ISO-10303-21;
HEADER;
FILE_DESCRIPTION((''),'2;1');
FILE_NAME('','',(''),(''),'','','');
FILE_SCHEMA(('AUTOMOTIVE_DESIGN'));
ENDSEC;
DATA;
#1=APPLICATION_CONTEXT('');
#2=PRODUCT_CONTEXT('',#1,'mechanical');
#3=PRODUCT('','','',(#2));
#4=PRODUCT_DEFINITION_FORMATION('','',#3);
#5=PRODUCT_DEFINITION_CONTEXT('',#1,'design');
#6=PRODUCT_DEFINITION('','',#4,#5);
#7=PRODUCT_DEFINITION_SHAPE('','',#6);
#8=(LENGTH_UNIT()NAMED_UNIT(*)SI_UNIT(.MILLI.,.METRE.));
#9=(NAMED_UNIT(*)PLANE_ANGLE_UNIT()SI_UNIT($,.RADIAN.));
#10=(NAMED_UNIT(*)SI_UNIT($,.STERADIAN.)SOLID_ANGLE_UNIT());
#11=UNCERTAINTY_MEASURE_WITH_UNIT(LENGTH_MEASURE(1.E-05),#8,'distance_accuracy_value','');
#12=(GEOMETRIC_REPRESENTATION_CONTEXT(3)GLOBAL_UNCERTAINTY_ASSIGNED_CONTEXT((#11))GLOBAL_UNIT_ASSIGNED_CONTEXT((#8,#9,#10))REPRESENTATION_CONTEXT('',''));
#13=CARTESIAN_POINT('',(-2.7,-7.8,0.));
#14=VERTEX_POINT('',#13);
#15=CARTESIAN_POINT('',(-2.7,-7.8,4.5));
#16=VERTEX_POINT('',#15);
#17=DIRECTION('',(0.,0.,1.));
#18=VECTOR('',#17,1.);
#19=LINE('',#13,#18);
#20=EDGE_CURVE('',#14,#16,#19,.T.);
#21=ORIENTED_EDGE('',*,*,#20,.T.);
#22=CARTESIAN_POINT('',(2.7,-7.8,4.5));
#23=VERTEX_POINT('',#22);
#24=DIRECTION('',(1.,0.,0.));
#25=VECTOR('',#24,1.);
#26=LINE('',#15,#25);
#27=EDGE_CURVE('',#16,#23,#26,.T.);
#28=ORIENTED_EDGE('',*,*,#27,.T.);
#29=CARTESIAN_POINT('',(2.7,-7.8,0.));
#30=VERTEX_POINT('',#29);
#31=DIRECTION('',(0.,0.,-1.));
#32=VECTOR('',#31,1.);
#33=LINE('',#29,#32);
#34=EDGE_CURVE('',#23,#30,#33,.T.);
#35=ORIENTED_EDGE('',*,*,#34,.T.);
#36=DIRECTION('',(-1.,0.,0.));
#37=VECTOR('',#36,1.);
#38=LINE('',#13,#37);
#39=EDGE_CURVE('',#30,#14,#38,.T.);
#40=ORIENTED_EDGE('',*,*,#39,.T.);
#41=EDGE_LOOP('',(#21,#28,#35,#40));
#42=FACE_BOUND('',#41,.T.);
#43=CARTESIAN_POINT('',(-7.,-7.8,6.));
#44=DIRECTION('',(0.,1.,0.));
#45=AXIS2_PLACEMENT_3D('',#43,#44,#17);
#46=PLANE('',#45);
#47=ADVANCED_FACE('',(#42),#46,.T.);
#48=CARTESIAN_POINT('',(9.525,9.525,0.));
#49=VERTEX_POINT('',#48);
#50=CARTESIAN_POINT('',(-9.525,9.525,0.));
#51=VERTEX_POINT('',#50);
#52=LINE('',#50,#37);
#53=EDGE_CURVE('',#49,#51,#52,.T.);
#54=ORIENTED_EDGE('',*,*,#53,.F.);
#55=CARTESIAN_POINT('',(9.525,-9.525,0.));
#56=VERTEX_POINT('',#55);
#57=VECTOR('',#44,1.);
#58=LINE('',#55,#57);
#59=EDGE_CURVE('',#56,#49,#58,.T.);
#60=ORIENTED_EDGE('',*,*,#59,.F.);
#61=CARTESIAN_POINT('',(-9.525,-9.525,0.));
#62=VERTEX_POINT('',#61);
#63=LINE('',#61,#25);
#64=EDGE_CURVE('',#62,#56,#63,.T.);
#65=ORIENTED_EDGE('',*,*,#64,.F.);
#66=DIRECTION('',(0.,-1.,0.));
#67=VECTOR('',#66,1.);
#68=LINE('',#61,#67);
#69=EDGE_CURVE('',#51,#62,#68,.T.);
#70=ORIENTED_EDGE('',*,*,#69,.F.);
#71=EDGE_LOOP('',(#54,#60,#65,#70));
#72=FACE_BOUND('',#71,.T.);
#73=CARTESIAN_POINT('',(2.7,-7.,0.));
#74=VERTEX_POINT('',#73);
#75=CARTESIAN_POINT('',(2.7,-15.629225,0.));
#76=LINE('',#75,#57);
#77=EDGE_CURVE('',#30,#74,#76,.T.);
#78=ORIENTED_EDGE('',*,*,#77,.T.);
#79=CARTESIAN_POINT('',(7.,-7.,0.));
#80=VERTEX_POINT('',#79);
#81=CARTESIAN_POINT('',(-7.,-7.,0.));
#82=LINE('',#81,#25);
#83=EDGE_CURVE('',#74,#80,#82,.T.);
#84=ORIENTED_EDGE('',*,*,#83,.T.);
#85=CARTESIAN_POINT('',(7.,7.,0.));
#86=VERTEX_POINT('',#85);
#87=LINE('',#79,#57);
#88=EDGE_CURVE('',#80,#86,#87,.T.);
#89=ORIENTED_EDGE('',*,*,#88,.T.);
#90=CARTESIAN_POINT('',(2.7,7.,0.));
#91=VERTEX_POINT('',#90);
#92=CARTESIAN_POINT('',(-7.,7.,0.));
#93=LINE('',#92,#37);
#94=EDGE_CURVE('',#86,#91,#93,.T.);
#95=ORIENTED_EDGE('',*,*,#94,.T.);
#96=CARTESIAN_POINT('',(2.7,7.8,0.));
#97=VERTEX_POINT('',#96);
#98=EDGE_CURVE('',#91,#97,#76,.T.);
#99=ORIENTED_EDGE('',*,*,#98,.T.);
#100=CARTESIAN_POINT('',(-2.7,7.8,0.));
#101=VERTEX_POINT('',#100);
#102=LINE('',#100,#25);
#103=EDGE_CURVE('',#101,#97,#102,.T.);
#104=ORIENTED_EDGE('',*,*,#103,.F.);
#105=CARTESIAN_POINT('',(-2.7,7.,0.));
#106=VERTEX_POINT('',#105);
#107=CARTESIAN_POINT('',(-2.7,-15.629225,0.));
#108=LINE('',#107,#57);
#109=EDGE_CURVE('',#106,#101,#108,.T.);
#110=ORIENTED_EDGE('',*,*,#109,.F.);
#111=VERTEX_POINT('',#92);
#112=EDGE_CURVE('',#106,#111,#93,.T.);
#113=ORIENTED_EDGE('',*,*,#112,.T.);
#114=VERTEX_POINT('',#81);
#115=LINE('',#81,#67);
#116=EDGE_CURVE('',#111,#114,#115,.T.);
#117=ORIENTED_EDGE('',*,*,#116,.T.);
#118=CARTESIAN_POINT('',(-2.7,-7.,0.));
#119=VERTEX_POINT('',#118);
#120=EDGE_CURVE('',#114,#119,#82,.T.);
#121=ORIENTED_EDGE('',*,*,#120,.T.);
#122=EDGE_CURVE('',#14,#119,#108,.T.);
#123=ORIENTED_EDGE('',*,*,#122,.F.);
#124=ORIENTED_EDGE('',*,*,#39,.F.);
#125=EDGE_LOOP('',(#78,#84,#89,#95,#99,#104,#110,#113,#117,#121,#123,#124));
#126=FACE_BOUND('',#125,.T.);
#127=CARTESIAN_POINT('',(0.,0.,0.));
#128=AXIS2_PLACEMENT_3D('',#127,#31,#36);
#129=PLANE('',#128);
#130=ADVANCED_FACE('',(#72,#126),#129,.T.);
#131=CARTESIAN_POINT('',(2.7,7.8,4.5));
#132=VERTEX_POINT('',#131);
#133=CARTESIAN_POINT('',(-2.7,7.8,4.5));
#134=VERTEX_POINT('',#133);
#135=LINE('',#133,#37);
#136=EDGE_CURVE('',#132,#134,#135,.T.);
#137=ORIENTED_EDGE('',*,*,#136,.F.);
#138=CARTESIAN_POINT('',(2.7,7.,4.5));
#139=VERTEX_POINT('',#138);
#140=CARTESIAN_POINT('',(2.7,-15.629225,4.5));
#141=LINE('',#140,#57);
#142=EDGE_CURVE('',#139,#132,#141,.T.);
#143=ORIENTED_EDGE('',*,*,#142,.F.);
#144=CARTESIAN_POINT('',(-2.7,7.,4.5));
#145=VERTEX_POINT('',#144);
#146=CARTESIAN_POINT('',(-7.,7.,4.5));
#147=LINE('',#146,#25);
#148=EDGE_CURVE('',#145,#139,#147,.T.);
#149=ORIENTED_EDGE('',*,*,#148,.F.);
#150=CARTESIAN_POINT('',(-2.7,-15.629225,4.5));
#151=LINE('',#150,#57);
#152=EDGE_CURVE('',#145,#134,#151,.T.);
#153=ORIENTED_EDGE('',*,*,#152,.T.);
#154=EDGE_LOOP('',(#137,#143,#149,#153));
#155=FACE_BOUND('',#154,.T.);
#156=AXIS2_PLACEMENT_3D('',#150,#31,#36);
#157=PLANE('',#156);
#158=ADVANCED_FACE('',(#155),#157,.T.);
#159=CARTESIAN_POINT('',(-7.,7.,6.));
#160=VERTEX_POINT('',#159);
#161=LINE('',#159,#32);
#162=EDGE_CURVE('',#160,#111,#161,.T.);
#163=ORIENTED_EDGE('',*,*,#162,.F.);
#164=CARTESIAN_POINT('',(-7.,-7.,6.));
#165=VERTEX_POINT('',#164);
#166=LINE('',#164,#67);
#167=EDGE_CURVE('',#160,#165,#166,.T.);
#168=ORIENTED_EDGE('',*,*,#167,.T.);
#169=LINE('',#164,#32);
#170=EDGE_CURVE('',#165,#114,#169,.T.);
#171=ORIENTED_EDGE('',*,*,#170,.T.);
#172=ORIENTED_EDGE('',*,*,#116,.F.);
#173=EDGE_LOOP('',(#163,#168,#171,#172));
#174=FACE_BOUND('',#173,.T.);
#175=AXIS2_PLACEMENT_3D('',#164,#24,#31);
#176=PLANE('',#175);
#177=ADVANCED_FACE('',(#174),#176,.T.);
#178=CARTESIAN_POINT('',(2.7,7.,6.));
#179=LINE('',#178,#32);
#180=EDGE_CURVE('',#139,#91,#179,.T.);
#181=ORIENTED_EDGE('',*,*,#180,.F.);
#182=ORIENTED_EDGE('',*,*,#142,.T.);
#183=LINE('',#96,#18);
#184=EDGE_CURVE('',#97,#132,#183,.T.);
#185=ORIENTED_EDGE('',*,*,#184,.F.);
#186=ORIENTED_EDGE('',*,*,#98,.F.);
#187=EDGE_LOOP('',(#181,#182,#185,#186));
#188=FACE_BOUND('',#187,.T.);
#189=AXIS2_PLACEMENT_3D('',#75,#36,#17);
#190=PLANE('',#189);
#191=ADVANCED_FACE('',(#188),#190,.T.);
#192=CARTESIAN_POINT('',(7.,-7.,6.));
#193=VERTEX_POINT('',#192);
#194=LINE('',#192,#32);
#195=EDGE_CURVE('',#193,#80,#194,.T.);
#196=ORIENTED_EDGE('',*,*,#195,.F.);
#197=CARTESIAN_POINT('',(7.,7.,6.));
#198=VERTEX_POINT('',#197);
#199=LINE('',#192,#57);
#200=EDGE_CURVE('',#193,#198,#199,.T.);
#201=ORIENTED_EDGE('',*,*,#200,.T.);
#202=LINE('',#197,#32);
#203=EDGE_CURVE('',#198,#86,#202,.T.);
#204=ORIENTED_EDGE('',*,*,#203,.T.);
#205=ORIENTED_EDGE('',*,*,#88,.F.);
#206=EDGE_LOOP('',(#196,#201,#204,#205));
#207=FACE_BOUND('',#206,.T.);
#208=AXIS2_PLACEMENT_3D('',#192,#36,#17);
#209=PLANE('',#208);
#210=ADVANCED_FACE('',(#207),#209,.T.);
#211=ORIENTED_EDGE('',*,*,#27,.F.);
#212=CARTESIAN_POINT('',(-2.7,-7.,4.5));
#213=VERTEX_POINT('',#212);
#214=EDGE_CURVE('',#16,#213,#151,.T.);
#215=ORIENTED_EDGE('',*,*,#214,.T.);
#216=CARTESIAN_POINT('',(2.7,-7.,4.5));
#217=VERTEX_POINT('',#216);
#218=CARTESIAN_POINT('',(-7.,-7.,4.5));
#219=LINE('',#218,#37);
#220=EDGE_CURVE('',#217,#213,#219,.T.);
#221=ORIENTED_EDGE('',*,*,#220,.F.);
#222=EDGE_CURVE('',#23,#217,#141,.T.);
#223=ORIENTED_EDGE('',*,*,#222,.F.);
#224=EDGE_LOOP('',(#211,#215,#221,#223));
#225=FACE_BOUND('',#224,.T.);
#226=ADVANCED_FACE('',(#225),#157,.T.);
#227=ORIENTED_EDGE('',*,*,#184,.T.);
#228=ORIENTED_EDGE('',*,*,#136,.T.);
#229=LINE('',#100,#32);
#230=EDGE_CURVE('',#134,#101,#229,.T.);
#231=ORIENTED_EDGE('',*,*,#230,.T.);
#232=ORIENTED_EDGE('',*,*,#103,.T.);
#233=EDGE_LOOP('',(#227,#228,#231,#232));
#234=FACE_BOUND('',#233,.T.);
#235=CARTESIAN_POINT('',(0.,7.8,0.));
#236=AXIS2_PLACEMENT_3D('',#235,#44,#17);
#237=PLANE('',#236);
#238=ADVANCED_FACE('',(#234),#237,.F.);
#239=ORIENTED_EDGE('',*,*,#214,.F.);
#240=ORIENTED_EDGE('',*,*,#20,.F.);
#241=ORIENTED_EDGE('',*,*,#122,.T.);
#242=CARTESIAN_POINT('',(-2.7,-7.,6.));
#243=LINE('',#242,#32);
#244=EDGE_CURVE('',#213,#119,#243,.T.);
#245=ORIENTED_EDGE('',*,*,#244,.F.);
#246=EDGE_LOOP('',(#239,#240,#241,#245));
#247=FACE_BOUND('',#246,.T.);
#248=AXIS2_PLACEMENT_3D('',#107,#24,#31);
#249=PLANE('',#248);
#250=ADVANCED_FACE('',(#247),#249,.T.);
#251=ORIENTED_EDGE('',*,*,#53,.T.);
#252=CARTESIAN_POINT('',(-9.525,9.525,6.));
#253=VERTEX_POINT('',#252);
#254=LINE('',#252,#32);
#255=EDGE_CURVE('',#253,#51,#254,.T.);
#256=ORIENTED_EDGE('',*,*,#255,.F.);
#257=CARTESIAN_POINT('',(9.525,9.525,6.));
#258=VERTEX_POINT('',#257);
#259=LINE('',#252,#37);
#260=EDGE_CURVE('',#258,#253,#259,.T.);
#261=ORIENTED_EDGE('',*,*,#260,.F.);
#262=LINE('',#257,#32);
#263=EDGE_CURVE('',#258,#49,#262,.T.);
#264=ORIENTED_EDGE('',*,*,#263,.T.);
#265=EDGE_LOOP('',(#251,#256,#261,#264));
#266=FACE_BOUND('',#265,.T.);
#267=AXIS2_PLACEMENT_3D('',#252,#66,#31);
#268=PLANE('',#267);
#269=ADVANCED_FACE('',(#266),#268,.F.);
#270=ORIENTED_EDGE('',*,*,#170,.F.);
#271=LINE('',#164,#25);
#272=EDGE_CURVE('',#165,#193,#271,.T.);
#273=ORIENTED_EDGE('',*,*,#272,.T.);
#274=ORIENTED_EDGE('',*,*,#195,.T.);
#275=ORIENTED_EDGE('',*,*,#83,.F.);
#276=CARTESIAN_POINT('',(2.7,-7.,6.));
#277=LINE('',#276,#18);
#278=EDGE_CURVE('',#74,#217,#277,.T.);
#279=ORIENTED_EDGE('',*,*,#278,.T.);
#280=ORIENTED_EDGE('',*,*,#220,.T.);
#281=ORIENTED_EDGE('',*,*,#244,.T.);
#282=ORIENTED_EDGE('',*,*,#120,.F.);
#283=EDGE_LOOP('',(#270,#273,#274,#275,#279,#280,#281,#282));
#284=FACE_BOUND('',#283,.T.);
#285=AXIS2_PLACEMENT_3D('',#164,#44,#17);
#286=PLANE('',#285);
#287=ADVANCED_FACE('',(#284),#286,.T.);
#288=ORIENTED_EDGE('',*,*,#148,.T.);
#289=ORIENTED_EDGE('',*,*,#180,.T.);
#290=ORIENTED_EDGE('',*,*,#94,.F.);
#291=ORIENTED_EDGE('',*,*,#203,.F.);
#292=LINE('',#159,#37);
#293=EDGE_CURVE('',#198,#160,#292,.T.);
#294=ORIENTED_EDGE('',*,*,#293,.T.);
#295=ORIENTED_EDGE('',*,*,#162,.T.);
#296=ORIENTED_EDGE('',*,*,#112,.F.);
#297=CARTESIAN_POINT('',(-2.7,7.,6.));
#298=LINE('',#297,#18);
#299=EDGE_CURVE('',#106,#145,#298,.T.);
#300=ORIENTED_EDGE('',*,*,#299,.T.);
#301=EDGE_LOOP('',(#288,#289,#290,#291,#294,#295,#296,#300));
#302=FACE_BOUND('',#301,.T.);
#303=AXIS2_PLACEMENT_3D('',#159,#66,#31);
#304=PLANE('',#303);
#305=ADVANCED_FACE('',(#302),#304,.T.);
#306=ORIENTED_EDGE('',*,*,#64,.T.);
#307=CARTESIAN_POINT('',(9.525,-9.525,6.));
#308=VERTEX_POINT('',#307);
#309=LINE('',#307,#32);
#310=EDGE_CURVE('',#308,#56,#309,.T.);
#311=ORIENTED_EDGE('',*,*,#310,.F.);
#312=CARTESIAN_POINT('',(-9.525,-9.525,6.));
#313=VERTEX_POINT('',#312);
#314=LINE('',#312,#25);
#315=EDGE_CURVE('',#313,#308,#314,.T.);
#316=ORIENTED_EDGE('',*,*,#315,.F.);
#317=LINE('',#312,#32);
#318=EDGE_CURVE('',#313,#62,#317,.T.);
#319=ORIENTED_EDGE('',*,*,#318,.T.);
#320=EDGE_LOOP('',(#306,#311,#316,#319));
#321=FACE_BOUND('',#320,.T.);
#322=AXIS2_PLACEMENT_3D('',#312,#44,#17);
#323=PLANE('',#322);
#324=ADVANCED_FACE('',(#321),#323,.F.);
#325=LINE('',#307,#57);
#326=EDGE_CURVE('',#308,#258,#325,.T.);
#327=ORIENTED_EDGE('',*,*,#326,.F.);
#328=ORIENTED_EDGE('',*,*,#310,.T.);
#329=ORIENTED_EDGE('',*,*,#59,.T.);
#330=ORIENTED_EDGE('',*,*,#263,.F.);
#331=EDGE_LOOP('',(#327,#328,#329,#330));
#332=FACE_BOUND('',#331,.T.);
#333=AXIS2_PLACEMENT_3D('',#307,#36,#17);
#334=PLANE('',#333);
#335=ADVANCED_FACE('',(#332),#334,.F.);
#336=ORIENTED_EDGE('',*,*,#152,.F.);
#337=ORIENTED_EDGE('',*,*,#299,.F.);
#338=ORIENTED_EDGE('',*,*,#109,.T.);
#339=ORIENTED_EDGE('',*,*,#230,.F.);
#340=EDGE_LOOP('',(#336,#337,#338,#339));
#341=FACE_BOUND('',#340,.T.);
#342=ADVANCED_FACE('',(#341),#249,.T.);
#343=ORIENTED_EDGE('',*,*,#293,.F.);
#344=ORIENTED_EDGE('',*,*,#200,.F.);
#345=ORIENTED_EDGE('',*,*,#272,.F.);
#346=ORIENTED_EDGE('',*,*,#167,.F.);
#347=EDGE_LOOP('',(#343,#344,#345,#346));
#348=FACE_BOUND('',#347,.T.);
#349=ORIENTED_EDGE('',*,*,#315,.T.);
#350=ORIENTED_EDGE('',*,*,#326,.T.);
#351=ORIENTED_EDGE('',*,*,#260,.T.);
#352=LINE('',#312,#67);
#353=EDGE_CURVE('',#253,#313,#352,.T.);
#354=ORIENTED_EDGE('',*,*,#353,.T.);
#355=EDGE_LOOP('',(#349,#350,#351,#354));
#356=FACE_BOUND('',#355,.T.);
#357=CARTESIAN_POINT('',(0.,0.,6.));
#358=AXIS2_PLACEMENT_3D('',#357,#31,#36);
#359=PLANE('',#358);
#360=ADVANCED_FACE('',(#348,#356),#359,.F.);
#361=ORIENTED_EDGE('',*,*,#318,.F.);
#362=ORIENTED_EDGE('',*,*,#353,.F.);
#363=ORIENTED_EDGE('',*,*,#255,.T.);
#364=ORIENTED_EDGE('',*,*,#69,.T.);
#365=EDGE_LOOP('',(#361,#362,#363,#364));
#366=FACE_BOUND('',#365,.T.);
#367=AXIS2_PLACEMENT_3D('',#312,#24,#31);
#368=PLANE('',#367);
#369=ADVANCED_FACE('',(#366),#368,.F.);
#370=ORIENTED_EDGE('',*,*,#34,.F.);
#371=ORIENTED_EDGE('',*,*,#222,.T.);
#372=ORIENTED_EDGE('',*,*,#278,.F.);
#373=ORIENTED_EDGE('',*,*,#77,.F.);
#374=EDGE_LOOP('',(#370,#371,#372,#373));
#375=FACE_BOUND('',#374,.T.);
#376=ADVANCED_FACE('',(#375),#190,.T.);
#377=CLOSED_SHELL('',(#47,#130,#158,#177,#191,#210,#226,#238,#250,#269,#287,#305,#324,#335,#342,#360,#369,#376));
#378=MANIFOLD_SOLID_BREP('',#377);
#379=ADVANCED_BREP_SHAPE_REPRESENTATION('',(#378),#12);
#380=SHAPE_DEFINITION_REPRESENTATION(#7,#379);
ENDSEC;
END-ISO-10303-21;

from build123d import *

# Parameters (mm, degrees)
SKETCH1_W           = 19.05
SKETCH1_H           = 19.05
SKETCH1_W_2         = 14
SKETCH1_H_2         = 14
BOSS_EXTRUDE1_DEPTH = 6
CUT_EXTRUDE1_START  = -0.8
SKETCH2_W           = 5.4
SKETCH2_H           = 4.5
CUT_EXTRUDE1_DEPTH  = 15.6


with BuildPart() as part:
    # Sketch1 → Boss-Extrude1 (new body)
    with BuildSketch(Plane.XY):
        Rectangle(SKETCH1_W, SKETCH1_H)
        Rectangle(SKETCH1_W_2, SKETCH1_H_2, mode=Mode.SUBTRACT)
    extrude(amount=BOSS_EXTRUDE1_DEPTH)

    # Sketch2 → Cut-Extrude1 (cut)
    with BuildSketch(Plane.XZ.offset(-7).offset(CUT_EXTRUDE1_START)):
        with Locations((0, 2.25)):
            Rectangle(SKETCH2_W, SKETCH2_H)
    extrude(amount=CUT_EXTRUDE1_DEPTH, mode=Mode.SUBTRACT)


solid = part.part
